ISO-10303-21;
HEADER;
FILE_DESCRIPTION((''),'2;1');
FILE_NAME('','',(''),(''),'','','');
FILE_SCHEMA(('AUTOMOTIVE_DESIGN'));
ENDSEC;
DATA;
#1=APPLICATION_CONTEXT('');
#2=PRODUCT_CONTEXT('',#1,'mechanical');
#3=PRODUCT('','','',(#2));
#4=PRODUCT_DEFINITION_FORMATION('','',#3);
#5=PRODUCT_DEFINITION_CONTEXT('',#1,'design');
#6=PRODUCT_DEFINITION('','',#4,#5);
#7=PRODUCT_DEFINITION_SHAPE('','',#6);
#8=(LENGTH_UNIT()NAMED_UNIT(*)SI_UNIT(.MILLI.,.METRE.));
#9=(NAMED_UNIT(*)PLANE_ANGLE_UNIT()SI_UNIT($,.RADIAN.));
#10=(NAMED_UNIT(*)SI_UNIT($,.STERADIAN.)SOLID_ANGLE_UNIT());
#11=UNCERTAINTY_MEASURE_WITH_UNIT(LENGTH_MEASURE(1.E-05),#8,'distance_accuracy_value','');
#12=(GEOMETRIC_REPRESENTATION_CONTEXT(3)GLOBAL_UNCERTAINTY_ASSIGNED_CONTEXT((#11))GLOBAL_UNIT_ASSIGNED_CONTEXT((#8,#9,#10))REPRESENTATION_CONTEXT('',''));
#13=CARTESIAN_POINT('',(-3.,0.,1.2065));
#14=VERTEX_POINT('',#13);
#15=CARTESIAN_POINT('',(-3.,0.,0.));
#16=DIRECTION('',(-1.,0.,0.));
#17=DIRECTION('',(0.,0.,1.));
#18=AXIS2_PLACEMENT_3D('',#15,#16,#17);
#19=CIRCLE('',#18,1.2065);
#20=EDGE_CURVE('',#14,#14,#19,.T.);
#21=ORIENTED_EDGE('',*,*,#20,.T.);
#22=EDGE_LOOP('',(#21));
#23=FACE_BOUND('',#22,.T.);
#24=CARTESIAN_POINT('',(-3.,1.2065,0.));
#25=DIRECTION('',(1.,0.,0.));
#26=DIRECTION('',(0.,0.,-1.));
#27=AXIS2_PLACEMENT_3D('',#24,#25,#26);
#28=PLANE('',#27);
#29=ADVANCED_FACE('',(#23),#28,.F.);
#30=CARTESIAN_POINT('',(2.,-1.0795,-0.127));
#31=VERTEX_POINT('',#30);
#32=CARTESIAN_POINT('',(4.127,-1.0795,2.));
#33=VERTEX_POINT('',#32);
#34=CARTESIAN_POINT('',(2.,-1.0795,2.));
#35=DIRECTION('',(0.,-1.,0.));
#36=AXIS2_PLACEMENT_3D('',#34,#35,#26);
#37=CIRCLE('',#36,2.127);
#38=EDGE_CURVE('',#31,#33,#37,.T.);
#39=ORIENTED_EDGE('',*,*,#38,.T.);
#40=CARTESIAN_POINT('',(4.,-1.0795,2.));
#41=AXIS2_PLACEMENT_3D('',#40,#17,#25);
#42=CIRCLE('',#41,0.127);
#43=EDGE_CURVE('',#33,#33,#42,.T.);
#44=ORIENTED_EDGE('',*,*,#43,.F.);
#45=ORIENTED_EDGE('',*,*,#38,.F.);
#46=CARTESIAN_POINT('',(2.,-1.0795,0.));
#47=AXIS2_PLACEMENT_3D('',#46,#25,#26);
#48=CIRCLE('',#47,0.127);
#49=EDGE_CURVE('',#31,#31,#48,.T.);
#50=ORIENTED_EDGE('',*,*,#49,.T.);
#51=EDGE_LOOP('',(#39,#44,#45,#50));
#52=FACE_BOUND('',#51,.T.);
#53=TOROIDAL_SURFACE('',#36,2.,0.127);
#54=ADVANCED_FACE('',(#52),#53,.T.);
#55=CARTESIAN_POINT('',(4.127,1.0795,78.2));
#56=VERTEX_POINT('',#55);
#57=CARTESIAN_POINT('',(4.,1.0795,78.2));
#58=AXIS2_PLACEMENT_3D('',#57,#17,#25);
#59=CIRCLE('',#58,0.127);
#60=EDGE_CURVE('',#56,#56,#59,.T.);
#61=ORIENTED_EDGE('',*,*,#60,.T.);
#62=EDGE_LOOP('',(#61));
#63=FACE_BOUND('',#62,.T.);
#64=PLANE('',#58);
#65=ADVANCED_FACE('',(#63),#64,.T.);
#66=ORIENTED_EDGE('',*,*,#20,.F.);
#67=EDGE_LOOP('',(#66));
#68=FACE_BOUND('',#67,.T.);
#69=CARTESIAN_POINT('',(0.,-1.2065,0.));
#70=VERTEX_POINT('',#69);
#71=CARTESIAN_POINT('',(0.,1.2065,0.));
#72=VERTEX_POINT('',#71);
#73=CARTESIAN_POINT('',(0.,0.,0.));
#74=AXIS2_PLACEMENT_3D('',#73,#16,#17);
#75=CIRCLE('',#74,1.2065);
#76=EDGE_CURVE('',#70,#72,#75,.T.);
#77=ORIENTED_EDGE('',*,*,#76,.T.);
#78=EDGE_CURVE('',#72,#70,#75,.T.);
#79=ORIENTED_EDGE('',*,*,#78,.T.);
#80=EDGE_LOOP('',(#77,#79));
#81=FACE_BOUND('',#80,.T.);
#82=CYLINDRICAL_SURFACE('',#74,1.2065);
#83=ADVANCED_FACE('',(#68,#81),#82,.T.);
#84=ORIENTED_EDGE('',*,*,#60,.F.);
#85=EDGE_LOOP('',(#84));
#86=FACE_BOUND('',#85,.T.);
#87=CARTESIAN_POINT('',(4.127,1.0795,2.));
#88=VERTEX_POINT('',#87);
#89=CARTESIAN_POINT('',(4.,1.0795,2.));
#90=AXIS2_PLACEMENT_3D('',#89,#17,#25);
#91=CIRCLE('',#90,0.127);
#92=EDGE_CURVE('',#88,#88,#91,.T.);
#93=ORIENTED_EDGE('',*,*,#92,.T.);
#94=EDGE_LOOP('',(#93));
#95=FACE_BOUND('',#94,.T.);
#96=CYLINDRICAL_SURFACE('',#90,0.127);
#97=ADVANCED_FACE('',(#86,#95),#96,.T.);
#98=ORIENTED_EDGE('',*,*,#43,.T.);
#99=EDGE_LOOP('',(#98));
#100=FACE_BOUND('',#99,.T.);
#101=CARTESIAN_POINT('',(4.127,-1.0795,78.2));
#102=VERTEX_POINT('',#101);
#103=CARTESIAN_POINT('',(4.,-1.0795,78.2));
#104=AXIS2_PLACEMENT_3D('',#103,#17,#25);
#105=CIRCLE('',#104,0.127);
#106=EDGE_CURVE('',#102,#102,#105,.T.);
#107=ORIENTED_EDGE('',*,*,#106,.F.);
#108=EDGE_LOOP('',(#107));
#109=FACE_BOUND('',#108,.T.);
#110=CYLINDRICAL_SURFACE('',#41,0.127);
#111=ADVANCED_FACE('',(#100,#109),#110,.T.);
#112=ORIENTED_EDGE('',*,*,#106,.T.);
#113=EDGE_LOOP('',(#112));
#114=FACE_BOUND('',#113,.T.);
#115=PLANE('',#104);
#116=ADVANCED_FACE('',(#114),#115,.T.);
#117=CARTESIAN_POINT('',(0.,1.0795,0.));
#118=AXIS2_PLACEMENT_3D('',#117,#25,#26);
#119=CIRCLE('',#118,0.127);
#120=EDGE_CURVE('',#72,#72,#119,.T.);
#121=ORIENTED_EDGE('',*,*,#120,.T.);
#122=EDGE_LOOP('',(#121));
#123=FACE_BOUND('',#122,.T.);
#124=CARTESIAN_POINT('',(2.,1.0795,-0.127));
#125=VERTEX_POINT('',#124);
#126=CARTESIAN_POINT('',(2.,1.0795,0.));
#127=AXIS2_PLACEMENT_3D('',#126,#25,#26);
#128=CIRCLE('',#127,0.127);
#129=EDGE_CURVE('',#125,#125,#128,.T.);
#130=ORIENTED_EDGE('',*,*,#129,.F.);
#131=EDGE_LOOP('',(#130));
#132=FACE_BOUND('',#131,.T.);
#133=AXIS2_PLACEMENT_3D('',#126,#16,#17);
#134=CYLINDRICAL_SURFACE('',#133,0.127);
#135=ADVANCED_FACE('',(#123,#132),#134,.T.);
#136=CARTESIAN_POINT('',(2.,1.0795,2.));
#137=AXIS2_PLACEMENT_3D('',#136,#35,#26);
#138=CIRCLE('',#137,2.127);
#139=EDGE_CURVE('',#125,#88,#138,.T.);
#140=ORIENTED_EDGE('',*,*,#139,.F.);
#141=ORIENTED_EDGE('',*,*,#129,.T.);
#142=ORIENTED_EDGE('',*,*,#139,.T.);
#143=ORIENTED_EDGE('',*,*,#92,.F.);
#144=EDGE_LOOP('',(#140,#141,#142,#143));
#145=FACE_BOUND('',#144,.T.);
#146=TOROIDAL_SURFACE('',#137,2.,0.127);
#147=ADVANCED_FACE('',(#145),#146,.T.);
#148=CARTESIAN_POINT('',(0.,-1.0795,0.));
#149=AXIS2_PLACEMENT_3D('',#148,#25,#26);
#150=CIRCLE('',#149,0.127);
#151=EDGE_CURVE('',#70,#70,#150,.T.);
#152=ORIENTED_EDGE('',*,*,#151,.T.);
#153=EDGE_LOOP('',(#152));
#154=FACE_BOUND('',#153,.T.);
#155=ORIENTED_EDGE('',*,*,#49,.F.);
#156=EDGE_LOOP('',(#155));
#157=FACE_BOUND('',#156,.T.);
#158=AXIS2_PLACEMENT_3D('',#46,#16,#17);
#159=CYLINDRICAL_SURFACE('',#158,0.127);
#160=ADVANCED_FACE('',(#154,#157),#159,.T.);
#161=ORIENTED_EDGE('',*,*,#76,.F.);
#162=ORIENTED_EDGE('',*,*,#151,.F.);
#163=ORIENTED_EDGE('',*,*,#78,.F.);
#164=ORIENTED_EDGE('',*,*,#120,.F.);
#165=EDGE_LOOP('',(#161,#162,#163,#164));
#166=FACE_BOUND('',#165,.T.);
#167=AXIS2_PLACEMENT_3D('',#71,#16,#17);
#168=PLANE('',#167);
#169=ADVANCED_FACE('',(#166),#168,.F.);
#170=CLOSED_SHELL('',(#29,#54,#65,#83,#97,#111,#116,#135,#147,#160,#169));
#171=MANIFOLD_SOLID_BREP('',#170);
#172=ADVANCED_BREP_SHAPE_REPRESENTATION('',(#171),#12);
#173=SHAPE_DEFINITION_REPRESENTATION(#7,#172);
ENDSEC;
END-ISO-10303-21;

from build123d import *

# Parameters (mm, degrees)
SKETCH1_W = 3
SKETCH1_H = 1.2065
SKETCH2_R = 0.127


with BuildPart() as part:
    # Sketch1 → Revolve1 (revolve)
    with BuildSketch(Plane.XY):
        with Locations((-1.5, 0.60325)):
            Rectangle(SKETCH1_W, SKETCH1_H)
    revolve(axis=Axis((0, 0, 0), (1, 0, 0)))

    # Sweep1: sweep along a path in Sketch3
    with BuildLine(Plane(origin=(0, 0, 0), x_dir=(1, 0, 0), z_dir=(0, 1, 0))) as sweep1_path:
        Line((0, 0), (2, 0))
        ThreePointArc((2, 0), (3.414213562, -0.585786438), (4, -2))
        Line((4, -2), (4, -78.2))
    # Sketch2 → Sweep1 (sweep)
    with BuildSketch(Plane(origin=(0, 0, 0), x_dir=(0, 0, -1), z_dir=(1, 0, 0))):
        with Locations((0, 1.0795)):
            Circle(SKETCH2_R)
        with Locations((0, -1.0795)):
            Circle(SKETCH2_R)
    sweep(path=sweep1_path.line)


solid = part.part
